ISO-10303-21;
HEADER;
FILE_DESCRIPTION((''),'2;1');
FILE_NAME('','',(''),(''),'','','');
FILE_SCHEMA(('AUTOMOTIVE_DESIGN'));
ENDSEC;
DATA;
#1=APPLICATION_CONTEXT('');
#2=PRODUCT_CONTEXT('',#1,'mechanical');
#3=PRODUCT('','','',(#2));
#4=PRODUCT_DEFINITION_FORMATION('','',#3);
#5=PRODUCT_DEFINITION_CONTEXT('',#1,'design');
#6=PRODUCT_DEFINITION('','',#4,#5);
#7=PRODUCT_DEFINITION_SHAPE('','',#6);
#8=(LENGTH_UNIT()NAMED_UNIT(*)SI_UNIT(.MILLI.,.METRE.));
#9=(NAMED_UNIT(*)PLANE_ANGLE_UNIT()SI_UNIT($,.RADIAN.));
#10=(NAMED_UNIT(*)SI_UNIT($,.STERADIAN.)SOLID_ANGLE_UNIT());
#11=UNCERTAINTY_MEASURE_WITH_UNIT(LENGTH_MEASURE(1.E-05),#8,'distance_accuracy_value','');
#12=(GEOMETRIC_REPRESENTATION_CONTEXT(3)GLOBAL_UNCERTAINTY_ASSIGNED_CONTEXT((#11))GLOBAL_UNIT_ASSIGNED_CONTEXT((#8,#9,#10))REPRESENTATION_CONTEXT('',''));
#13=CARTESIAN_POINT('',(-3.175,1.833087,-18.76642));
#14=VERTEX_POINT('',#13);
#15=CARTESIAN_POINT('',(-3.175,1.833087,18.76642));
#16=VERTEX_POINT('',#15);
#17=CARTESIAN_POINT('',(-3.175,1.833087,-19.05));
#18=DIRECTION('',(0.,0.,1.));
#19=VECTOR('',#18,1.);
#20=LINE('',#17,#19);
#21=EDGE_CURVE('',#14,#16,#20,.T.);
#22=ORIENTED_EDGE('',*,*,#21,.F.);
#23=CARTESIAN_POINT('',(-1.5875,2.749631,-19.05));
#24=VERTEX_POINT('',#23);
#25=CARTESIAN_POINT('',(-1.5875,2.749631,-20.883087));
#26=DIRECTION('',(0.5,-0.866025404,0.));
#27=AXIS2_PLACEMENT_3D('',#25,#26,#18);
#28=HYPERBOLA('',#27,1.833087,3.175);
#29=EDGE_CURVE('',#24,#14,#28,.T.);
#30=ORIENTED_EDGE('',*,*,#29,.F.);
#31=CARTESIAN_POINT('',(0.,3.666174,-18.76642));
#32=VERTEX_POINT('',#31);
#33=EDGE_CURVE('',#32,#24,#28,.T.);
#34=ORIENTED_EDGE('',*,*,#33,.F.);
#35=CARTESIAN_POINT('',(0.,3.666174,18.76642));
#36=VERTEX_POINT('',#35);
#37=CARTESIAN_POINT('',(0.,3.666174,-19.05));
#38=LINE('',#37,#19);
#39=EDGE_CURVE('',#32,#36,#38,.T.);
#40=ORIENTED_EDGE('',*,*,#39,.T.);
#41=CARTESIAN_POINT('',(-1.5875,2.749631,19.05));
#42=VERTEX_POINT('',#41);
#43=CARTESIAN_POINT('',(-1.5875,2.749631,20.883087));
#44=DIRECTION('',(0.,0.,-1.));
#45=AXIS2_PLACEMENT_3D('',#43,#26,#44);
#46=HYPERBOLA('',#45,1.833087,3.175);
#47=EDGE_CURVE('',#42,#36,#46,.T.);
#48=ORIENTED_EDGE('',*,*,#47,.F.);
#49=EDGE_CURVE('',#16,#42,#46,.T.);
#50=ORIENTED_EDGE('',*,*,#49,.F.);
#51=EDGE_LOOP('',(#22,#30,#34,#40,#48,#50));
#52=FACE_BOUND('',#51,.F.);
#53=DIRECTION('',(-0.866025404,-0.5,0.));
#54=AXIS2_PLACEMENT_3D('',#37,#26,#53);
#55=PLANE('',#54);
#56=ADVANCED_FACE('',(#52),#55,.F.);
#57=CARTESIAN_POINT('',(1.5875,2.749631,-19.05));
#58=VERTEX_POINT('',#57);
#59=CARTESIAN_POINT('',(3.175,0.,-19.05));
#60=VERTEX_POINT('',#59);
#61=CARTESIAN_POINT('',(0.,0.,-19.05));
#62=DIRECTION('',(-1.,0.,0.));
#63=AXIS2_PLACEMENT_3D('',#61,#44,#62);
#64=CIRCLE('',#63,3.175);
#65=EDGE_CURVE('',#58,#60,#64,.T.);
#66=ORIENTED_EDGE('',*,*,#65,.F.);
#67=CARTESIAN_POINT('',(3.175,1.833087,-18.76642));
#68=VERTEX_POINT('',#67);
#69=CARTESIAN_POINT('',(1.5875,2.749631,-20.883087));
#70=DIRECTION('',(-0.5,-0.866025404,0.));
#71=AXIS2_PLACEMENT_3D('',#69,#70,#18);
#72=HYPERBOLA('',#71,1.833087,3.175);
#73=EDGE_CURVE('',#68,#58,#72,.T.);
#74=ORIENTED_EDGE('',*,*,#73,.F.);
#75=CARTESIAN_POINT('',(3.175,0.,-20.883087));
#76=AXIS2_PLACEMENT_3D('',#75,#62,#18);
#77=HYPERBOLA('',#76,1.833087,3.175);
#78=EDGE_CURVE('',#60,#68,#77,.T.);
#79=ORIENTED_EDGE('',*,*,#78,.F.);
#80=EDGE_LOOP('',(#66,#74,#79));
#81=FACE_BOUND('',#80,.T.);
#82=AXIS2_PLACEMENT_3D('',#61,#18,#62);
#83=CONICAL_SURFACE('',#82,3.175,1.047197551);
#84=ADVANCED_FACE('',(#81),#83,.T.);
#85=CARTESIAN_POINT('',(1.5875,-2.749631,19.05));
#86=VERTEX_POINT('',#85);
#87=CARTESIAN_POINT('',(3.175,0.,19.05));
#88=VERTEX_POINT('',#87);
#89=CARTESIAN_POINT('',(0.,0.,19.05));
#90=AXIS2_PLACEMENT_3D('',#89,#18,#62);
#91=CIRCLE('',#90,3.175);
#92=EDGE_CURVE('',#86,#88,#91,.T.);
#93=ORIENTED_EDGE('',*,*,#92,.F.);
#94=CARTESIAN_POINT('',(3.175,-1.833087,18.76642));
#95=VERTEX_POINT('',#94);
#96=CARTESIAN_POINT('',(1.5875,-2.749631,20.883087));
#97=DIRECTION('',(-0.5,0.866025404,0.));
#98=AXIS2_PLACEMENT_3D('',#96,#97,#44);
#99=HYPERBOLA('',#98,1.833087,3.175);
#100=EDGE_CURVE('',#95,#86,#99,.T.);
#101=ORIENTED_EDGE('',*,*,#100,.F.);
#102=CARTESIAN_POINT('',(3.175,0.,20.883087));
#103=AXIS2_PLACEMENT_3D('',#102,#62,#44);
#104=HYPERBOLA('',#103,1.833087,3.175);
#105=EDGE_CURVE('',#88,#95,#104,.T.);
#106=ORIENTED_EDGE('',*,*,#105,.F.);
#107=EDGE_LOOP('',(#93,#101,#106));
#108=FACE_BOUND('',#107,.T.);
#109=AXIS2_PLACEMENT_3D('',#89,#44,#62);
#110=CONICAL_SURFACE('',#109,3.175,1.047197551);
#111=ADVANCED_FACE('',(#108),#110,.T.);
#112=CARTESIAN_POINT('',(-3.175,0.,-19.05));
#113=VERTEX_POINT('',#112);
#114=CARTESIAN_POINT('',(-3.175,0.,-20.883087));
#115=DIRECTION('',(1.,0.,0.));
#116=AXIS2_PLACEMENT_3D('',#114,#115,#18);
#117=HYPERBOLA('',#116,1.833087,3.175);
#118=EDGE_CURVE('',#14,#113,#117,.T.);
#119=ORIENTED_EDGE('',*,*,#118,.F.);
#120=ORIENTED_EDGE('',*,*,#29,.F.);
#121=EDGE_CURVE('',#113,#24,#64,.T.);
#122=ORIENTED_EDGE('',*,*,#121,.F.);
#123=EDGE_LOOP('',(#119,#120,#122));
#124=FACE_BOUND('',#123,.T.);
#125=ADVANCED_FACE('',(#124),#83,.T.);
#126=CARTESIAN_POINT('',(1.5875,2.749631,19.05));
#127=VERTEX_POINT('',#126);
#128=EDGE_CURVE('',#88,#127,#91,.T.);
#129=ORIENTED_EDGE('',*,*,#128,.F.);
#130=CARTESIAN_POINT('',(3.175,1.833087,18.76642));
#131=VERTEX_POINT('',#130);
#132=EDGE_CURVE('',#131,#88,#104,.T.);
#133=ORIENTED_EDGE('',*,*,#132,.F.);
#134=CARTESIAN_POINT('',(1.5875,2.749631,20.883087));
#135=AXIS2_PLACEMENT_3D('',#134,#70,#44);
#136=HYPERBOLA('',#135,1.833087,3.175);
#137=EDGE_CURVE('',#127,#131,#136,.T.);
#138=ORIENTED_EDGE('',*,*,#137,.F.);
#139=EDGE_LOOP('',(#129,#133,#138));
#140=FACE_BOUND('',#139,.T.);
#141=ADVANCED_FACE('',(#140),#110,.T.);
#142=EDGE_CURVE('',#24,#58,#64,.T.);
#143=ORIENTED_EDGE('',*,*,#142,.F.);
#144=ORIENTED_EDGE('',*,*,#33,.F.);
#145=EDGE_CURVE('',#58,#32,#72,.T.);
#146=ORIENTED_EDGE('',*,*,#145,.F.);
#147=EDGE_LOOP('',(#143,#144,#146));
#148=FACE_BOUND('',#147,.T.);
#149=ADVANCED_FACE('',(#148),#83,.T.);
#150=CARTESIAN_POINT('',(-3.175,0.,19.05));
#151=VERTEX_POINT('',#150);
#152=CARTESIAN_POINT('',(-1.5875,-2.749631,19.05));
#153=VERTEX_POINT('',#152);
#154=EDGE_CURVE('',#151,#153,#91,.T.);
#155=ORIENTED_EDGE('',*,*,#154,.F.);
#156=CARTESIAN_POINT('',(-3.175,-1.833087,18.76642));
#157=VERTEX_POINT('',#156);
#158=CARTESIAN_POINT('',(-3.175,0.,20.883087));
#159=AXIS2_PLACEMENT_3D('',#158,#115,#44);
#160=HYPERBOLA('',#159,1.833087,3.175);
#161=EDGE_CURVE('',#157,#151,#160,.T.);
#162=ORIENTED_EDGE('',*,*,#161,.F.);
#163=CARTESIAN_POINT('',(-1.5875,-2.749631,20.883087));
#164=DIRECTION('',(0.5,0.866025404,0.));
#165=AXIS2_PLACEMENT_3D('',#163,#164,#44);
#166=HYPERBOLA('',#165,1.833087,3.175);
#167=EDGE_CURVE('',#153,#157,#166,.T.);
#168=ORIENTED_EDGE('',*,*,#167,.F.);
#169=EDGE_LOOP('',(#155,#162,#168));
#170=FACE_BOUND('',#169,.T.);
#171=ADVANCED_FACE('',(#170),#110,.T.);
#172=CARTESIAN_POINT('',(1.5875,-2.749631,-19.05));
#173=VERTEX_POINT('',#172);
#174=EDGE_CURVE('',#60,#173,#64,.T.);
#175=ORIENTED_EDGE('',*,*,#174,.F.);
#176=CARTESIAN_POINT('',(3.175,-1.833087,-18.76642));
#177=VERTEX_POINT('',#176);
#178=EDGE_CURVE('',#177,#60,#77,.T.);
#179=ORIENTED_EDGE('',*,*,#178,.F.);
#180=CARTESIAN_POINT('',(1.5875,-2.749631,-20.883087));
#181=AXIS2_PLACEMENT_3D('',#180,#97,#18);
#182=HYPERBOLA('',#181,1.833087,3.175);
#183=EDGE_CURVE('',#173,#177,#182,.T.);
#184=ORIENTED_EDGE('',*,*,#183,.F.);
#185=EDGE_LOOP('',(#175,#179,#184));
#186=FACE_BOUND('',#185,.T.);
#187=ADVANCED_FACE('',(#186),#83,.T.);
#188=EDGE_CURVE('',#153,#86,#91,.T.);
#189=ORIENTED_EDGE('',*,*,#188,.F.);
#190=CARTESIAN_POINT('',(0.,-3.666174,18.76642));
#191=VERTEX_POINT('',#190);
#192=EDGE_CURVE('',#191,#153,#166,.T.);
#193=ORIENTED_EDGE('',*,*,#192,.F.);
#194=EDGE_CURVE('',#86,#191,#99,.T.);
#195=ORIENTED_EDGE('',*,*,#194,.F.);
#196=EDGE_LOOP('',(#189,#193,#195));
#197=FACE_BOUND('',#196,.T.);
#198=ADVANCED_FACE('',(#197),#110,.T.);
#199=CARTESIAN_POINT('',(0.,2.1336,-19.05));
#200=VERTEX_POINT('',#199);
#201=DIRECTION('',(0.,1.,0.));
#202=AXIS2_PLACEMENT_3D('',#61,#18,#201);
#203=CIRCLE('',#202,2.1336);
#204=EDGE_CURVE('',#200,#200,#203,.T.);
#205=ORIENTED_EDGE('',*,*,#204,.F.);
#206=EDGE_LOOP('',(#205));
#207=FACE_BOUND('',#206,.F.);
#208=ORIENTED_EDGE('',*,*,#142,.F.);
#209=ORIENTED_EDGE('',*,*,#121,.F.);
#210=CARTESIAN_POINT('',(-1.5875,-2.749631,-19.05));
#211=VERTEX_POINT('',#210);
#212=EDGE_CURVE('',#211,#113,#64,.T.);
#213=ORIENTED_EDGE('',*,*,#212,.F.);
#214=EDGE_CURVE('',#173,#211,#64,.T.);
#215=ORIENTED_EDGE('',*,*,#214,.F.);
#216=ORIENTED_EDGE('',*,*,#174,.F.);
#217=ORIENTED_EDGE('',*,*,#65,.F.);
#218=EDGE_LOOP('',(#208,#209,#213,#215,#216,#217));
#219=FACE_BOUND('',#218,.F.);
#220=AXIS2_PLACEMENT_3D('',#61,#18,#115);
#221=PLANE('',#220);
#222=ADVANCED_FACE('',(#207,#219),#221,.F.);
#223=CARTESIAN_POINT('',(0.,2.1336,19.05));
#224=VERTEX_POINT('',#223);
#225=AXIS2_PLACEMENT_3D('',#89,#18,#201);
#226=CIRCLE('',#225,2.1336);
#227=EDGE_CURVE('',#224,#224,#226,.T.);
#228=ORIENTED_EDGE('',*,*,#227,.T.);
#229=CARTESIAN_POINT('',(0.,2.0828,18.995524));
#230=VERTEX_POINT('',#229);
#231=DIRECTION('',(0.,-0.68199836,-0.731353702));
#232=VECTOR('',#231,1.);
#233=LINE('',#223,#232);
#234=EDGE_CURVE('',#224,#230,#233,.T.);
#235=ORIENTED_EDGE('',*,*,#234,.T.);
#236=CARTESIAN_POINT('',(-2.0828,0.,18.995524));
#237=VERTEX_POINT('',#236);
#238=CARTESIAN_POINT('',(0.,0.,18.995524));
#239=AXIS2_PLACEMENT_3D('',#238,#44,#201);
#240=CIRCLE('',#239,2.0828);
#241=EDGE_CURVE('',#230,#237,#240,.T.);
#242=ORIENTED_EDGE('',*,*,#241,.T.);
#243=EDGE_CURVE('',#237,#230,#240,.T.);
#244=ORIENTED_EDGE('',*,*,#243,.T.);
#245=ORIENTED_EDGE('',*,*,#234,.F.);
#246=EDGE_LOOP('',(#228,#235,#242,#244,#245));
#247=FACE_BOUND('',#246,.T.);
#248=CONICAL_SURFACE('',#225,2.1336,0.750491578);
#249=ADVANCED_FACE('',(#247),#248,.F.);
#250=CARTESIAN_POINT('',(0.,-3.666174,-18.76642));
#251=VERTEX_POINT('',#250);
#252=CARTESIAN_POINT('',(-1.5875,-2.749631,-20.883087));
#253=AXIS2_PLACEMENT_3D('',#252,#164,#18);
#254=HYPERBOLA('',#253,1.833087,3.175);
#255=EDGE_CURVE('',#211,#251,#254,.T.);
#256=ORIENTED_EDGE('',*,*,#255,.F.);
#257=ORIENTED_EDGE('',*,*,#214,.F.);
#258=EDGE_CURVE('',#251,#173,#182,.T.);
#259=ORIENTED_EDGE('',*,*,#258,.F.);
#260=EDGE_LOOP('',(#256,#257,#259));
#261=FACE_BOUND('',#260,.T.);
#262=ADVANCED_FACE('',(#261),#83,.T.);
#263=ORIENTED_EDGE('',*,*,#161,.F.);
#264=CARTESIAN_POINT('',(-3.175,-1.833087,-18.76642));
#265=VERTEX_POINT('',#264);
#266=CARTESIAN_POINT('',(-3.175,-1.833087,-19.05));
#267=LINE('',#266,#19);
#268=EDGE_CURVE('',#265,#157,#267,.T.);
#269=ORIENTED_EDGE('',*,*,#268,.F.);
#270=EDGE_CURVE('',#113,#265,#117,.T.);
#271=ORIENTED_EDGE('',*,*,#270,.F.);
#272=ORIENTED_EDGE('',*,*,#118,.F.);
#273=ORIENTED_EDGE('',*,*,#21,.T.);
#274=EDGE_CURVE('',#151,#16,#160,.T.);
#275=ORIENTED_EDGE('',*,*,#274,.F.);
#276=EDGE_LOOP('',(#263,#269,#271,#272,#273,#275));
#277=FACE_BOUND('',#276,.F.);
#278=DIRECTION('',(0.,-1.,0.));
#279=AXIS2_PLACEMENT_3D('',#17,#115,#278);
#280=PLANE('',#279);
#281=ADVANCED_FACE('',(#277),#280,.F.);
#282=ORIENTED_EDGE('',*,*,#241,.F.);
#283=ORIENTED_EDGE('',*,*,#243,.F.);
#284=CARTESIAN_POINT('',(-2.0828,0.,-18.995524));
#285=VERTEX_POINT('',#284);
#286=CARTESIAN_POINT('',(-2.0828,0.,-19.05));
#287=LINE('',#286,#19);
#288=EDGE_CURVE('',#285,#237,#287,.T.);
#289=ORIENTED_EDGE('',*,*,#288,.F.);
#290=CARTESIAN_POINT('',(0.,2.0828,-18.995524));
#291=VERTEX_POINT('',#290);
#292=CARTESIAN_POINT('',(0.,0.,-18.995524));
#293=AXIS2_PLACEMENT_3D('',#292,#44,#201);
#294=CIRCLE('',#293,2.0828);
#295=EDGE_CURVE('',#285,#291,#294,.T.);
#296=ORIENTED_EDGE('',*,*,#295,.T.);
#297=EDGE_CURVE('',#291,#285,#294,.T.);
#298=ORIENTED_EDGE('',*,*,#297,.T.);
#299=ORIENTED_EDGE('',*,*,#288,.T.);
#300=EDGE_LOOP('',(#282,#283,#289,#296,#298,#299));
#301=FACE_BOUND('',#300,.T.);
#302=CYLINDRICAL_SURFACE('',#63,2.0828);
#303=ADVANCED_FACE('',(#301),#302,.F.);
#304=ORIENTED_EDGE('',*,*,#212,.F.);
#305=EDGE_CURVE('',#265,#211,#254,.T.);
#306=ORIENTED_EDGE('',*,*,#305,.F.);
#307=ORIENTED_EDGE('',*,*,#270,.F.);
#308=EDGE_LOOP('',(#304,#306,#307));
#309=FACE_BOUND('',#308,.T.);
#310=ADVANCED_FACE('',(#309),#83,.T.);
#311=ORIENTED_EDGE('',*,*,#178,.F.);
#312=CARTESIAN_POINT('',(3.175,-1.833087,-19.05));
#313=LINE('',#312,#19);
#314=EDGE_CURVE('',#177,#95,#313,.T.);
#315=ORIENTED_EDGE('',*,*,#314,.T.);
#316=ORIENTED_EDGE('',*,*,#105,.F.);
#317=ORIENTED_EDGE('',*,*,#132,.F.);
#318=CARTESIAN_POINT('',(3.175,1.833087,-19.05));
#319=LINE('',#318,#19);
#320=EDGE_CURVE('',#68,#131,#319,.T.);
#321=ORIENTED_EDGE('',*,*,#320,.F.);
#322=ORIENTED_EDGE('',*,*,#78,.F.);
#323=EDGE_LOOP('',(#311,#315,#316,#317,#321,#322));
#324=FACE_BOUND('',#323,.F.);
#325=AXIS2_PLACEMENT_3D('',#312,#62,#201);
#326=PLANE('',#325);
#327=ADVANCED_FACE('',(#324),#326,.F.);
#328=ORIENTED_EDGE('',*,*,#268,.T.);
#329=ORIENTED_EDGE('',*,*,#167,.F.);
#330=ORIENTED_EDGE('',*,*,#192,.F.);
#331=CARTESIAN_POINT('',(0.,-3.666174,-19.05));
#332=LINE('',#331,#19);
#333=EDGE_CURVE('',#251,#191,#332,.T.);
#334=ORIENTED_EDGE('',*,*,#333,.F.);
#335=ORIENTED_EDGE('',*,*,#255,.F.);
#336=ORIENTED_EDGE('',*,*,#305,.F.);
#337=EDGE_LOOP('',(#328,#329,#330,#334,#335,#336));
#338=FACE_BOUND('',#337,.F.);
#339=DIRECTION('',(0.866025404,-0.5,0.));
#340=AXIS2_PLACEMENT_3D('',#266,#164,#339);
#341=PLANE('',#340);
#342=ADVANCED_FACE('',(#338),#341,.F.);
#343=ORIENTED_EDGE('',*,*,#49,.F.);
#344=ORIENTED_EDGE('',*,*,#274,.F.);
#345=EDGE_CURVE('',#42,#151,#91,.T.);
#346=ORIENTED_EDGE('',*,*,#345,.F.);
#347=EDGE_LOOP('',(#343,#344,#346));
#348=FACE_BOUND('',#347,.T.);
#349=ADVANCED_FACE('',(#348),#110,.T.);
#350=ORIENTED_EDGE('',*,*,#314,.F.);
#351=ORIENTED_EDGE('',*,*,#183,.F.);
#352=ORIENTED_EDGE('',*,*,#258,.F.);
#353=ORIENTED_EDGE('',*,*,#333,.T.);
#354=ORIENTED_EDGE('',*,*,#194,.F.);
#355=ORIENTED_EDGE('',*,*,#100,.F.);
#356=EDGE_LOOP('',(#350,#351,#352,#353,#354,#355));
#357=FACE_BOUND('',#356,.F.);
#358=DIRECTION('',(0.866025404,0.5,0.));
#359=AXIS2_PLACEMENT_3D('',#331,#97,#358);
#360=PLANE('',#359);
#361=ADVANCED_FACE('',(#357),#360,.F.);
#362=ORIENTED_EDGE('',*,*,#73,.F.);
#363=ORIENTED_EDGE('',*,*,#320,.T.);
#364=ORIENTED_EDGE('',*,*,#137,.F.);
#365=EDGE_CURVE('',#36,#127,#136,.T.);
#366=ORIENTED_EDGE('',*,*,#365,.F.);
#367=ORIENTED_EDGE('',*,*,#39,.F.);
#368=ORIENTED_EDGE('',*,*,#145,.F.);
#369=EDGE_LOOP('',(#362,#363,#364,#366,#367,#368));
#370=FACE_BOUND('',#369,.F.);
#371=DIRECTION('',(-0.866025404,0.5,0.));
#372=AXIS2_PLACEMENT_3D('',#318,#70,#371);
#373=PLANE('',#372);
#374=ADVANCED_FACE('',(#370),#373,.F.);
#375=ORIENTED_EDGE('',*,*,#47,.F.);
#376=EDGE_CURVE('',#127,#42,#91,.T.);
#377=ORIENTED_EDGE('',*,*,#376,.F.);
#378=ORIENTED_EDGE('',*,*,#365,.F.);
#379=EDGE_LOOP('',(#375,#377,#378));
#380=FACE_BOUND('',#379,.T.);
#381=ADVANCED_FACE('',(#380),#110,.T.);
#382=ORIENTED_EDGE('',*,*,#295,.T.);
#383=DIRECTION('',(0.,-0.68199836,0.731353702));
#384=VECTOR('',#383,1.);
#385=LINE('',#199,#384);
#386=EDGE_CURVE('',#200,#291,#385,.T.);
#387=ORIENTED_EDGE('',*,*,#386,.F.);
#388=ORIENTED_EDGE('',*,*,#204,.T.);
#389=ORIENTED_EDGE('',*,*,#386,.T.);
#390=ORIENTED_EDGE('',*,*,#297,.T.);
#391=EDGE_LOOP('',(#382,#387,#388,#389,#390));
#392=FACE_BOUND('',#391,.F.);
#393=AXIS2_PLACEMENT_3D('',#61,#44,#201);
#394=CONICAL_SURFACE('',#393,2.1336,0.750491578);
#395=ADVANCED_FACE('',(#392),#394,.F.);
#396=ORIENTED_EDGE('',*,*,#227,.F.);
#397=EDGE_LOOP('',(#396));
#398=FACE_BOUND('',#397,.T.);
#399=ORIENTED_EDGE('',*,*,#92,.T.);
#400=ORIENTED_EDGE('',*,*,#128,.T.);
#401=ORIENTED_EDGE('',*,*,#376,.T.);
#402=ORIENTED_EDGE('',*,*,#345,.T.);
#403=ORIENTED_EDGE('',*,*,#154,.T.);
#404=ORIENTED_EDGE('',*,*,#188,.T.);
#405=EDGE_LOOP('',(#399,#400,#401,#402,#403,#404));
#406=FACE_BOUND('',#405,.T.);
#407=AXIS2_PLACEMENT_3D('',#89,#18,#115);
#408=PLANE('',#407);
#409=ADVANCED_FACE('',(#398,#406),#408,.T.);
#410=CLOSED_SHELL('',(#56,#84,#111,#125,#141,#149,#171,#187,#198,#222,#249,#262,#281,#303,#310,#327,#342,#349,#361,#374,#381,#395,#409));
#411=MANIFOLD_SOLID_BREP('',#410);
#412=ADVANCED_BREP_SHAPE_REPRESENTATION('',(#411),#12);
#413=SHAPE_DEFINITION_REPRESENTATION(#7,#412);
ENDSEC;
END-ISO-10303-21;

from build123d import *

# Parameters (mm, degrees)
EXTRUDE1_DEPTH          = 19.05
EXTRUDE1_DEPTH_BACK     = 19.05
SKETCH1_R               = 2.0828
SKETCH8_OUTSIDE_W       = 152.724
SKETCH8_OUTSIDE_H       = 153.706
SKETCH8_OUTSIDE_R       = 3.175
EXTRUDE4_DEPTH          = 39.407440143
EXTRUDE4_DRAFT          = -60
MIRROR1_COPY_1_SKETCH_W = 152.724
MIRROR1_COPY_1_SKETCH_H = 153.706
MIRROR1_COPY_1_SKETCH_R = 3.175
MIRROR1_COPY_1_DEPTH    = 39.407440143
MIRROR1_COPY_1_DRAFT    = -60


with BuildPart() as part:
    # Sketch1 → Extrude1 (new, two sides: drawn at the far end of the back side and taken through both)
    with BuildSketch(Plane.XY.offset(-EXTRUDE1_DEPTH_BACK)):
        Polygon((0, 3.666174209), (-3.175, 1.833087105), (-3.175, -1.833087105), (0, -3.666174209), (3.175, -1.833087105), (3.175, 1.833087105), align=None)
        with Locations(Location((0, 0, 0), (0, 0, 180))):
            Circle(SKETCH1_R, mode=Mode.SUBTRACT)
    extrude(amount=EXTRUDE1_DEPTH + EXTRUDE1_DEPTH_BACK)

    # Extrude3 cone 1 section (through the dimple's axis) → Extrude3 (revolve, cut)
    with BuildSketch(Plane(origin=(0, 0, -19.05), x_dir=(0, 1, 0), z_dir=(1, 0, 0))):
        Polygon((0, 0), (2.1336, 0), (0, 2.28800588), align=None)
    extrude3 = revolve(axis=Axis((0, 0, -19.05), (0, 0, 1)), mode=Mode.SUBTRACT)


with BuildPart() as extrude4_tool:
    # Sketch8 outside → Extrude4 (with draft: the straight prism first)
    with BuildSketch(Plane(origin=(0, 0, -19.05), x_dir=(-1, 0, 0), z_dir=(0, 0, -1))):
        Rectangle(SKETCH8_OUTSIDE_W, SKETCH8_OUTSIDE_H)
        Circle(SKETCH8_OUTSIDE_R, mode=Mode.SUBTRACT)
    extrude(amount=-EXTRUDE4_DEPTH)
    # Extrude4: the draft: its side faces are tilted about the plane it starts from
    extrude4_sides = [extrude4_tool.faces().sort_by_distance(p)[0] for p in [
        (0, -76.853, 0.653720071),
        (-76.362, 0, 0.653720071),
        (0, 76.853, 0.653720071),
        (76.362, 0, 0.653720071),
        (3.175, 0, 0.653720071),
    ]]
    draft(extrude4_sides, Plane(origin=(0, 0, -19.05), x_dir=(-1, 0, 0), z_dir=(0, 0, -1)), EXTRUDE4_DRAFT)


with BuildPart() as part_1:
    add(part.part)

    # Extrude4: cut by extrude4_tool
    add(extrude4_tool.part, mode=Mode.SUBTRACT)

    # Mirror1: Extrude3 across plane
    add(extrude3.mirror(Plane.XY), mode=Mode.SUBTRACT)


with BuildPart() as mirror1_copy_1_tool:
    # Mirror1 copy 1 sketch → Mirror1 copy 1 (with draft: the straight prism first)
    with BuildSketch(Plane(origin=(0, 0, 19.05), x_dir=(-1, 0, 0), z_dir=(0, 0, 1))):
        Rectangle(MIRROR1_COPY_1_SKETCH_W, MIRROR1_COPY_1_SKETCH_H)
        Circle(MIRROR1_COPY_1_SKETCH_R, mode=Mode.SUBTRACT)
    extrude(amount=-MIRROR1_COPY_1_DEPTH)
    # Mirror1 copy 1: the draft: its side faces are tilted about the plane it starts from
    mirror1_copy_1_sides = [mirror1_copy_1_tool.faces().sort_by_distance(p)[0] for p in [
        (0, -76.853, -0.653720071),
        (-76.362, 0, -0.653720071),
        (0, 76.853, -0.653720071),
        (76.362, 0, -0.653720071),
        (3.175, 0, -0.653720071),
    ]]
    draft(mirror1_copy_1_sides, Plane(origin=(0, 0, 19.05), x_dir=(-1, 0, 0), z_dir=(0, 0, 1)), MIRROR1_COPY_1_DRAFT)


with BuildPart() as part_2:
    add(part_1.part)

    # Mirror1 copy 1: cut by mirror1_copy_1_tool
    add(mirror1_copy_1_tool.part, mode=Mode.SUBTRACT)


solid = part_2.part
